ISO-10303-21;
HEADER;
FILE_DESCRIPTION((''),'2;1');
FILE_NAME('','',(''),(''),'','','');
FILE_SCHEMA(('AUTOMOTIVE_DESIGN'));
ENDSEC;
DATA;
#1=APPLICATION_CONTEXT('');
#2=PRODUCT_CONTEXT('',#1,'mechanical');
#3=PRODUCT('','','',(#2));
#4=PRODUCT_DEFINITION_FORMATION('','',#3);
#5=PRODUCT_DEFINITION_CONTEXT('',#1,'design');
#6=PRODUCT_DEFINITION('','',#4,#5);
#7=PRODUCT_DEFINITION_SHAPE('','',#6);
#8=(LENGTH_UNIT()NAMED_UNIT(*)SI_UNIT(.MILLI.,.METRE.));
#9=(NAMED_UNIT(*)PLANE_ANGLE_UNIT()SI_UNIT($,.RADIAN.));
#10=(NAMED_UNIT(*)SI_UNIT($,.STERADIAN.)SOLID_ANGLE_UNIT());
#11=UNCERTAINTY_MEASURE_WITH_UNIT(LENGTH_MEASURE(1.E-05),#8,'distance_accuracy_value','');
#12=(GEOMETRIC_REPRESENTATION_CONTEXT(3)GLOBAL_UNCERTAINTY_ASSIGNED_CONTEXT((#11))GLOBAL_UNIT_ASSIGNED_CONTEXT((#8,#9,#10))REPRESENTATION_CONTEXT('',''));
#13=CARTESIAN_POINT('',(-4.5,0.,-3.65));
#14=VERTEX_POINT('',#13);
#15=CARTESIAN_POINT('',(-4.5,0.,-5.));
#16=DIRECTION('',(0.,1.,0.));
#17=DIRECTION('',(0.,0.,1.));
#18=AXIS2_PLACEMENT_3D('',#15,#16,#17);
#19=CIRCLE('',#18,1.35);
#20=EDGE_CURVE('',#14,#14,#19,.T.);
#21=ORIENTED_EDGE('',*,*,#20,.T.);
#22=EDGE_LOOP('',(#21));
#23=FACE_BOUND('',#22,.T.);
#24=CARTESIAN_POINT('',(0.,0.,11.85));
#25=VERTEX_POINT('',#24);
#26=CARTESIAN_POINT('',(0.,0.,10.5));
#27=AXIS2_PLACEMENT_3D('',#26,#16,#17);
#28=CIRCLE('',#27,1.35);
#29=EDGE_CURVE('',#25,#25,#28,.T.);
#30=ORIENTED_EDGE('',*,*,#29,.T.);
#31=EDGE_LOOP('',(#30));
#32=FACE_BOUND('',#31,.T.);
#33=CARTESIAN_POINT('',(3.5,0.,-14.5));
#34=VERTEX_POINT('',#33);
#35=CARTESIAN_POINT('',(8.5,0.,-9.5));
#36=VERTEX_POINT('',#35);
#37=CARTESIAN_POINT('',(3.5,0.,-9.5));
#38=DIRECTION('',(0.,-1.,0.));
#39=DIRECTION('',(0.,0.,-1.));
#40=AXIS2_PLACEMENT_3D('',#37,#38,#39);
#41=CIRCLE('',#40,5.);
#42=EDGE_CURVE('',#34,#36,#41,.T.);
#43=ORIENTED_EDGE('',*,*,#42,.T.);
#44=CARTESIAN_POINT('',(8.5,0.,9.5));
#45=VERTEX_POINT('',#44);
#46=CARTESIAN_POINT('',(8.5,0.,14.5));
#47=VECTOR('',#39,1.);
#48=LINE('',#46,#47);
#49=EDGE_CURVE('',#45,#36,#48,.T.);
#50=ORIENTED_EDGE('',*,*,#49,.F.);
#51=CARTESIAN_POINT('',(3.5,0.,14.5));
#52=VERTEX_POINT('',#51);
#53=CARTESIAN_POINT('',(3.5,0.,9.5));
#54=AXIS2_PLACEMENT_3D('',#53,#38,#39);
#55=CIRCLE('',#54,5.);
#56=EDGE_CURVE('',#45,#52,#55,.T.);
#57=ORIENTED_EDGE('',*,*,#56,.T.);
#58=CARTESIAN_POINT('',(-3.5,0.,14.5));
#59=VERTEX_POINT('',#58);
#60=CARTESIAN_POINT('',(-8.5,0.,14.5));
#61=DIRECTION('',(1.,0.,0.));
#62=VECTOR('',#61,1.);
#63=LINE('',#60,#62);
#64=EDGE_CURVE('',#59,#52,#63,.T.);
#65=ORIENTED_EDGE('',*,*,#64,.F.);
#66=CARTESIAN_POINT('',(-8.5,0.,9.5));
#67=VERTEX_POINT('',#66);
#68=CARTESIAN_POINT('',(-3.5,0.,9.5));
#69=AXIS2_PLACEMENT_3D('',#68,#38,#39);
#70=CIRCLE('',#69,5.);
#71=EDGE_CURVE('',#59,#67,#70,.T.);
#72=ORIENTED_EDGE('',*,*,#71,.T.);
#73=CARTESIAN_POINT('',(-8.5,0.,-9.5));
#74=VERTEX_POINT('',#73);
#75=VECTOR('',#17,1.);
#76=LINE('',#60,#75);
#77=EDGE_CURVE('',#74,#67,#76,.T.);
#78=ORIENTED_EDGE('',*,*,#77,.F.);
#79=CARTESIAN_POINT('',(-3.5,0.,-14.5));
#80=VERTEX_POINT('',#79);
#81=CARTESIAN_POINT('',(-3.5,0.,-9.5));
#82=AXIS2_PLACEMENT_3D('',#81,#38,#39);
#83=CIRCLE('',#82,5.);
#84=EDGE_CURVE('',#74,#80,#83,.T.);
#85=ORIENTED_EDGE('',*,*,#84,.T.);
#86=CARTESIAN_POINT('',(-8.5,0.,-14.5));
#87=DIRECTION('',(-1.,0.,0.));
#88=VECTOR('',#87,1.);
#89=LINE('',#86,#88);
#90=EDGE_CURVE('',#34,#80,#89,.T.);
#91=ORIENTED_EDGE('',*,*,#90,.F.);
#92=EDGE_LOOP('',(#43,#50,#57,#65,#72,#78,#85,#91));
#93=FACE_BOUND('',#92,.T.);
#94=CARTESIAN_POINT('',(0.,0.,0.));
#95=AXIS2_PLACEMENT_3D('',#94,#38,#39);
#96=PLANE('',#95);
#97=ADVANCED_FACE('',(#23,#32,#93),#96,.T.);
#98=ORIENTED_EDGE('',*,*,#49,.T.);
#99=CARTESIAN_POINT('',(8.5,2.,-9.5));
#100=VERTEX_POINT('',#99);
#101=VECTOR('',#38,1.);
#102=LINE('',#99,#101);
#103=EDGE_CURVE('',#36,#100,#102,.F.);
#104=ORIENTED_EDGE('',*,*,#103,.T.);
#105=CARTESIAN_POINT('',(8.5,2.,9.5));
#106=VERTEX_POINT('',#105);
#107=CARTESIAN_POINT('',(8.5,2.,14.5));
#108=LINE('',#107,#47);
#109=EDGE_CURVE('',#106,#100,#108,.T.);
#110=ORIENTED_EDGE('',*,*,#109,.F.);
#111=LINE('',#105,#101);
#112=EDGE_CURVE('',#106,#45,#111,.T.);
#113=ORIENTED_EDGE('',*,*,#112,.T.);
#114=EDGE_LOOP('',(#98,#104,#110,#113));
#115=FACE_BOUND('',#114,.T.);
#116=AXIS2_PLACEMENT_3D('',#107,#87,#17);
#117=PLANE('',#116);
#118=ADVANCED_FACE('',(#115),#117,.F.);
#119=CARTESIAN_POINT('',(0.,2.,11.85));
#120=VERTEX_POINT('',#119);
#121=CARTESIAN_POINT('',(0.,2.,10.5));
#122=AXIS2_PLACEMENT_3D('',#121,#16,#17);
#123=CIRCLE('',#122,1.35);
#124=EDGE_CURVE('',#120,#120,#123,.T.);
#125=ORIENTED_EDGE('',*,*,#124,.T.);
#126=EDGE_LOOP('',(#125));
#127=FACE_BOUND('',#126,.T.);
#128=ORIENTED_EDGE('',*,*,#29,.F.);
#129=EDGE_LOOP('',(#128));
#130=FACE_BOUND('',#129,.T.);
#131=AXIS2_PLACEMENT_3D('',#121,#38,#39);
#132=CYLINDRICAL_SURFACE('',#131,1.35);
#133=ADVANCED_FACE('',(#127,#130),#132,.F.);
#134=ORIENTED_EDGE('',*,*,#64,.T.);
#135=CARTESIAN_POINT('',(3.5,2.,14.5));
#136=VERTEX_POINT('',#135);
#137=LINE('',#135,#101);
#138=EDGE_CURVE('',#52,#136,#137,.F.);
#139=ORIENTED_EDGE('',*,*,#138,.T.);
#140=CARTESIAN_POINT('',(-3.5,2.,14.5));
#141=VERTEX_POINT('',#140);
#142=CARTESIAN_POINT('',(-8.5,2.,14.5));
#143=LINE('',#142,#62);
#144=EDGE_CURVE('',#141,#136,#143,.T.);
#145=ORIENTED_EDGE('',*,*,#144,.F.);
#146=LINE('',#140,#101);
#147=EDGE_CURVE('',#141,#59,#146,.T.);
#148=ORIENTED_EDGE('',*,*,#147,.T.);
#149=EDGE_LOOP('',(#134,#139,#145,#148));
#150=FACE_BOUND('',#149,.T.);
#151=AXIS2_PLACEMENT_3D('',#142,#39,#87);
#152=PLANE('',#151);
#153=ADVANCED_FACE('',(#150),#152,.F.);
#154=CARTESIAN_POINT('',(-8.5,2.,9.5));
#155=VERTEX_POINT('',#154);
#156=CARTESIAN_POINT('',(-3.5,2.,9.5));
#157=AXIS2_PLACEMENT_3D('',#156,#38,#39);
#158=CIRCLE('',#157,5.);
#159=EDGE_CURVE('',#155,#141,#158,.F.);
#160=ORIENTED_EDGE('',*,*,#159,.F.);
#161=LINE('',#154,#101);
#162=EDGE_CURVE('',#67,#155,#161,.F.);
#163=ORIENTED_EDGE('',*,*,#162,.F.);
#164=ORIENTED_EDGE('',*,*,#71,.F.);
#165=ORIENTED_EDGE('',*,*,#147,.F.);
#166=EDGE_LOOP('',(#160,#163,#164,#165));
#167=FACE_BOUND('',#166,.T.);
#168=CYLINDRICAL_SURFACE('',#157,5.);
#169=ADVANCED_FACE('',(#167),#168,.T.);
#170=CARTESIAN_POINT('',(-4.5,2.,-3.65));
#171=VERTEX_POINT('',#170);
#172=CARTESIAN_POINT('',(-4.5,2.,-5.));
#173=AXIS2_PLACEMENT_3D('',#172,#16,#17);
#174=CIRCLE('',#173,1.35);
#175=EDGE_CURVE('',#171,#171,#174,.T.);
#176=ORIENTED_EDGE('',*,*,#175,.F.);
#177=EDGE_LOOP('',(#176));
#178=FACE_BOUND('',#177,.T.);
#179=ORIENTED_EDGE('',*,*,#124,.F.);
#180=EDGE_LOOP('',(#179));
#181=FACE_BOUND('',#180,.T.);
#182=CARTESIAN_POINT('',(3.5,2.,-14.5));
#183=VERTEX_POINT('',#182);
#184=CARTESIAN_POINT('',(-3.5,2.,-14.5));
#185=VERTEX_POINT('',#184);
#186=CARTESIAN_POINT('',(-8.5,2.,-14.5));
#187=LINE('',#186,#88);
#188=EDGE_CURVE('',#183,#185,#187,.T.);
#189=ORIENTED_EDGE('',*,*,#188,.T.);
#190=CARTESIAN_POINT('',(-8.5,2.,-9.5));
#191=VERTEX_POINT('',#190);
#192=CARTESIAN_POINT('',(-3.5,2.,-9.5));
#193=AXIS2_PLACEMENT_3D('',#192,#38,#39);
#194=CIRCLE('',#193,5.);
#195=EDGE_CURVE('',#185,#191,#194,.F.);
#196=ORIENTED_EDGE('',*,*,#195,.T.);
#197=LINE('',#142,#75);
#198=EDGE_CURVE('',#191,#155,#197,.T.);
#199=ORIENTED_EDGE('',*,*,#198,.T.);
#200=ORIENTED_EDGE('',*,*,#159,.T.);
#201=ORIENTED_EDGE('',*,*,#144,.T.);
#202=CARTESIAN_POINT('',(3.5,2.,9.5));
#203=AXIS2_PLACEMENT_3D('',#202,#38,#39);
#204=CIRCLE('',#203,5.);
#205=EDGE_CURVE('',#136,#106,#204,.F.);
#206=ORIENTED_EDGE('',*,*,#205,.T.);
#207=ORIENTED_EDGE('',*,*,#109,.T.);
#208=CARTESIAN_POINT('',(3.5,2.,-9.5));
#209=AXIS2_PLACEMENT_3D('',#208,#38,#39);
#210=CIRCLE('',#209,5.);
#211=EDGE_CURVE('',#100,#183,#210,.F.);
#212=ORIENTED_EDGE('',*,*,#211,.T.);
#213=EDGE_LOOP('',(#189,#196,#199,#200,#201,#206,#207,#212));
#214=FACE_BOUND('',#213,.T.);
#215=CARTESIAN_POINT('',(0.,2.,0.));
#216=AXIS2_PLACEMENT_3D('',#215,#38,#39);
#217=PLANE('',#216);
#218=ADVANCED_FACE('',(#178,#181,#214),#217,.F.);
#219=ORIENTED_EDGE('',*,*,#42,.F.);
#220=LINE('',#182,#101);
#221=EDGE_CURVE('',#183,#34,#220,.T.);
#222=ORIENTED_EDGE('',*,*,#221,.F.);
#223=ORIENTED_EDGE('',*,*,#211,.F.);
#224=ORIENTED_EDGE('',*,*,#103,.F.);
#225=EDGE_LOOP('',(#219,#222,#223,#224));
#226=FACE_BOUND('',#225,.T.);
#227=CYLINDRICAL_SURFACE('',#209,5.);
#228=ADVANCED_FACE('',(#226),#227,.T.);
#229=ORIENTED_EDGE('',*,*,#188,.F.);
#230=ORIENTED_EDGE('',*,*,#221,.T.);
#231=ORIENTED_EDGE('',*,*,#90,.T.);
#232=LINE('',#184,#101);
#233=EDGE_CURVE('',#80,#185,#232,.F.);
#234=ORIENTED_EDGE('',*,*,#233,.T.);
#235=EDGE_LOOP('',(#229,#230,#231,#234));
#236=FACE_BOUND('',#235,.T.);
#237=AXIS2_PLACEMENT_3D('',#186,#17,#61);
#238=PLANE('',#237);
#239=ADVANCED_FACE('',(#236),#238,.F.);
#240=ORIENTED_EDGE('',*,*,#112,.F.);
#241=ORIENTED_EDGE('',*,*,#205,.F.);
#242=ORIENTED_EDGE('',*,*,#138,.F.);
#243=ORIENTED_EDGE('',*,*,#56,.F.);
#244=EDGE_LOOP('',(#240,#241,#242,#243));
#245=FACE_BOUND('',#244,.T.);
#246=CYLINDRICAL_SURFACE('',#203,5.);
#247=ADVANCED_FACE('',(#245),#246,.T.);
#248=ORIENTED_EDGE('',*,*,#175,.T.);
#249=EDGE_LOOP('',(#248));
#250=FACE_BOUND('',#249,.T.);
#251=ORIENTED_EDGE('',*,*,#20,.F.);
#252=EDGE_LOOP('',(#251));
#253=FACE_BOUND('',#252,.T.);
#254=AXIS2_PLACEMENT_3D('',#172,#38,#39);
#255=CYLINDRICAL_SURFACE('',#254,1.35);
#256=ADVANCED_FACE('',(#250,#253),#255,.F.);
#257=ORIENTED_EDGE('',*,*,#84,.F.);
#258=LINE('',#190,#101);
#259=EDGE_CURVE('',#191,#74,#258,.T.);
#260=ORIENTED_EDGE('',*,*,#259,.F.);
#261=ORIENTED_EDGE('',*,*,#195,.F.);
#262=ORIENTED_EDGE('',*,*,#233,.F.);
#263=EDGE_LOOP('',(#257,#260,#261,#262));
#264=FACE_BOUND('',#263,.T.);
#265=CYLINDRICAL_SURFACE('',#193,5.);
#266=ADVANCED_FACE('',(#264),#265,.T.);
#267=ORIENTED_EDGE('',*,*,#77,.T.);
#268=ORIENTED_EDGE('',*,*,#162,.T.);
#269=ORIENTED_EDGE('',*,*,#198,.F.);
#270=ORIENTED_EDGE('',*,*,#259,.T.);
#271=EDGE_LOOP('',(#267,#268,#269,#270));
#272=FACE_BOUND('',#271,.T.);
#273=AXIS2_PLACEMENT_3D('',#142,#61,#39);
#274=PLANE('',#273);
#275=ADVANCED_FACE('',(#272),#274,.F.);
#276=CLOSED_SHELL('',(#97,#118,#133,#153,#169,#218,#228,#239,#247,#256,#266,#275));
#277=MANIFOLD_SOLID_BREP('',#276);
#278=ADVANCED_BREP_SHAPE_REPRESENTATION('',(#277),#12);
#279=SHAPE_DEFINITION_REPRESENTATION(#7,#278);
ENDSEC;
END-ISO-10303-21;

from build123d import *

# Parameters (mm, degrees)
SKETCH_1_W      = 17
SKETCH_1_H      = 29
SKETCH_1_R      = 1.35
EXTRUDE_1_DEPTH = 2
FILLET_1_R      = 5


with BuildPart() as part:
    # 草图1 → 凸台-拉伸1 (new body)
    with BuildSketch(Plane(origin=(0, 0, 0), x_dir=(1, 0, 0), z_dir=(0, 1, 0))):
        Rectangle(SKETCH_1_W, SKETCH_1_H)
        with Locations(Location((0, -10.5, 0), (0, 0, 270))):
            Circle(SKETCH_1_R, mode=Mode.SUBTRACT)
        with Locations(Location((-4.5, 5, 0), (0, 0, 270))):
            Circle(SKETCH_1_R, mode=Mode.SUBTRACT)
    extrude(amount=EXTRUDE_1_DEPTH)

    # 圆角1
    fillet_1_edges = [part.edges().sort_by_distance(p)[0] for p in [
        (8.5, 1, 14.5),
        (-8.5, 1, 14.5),
        (-8.5, 1, -14.5),
        (8.5, 1, -14.5),
    ]]
    fillet(fillet_1_edges, radius=FILLET_1_R)


solid = part.part
